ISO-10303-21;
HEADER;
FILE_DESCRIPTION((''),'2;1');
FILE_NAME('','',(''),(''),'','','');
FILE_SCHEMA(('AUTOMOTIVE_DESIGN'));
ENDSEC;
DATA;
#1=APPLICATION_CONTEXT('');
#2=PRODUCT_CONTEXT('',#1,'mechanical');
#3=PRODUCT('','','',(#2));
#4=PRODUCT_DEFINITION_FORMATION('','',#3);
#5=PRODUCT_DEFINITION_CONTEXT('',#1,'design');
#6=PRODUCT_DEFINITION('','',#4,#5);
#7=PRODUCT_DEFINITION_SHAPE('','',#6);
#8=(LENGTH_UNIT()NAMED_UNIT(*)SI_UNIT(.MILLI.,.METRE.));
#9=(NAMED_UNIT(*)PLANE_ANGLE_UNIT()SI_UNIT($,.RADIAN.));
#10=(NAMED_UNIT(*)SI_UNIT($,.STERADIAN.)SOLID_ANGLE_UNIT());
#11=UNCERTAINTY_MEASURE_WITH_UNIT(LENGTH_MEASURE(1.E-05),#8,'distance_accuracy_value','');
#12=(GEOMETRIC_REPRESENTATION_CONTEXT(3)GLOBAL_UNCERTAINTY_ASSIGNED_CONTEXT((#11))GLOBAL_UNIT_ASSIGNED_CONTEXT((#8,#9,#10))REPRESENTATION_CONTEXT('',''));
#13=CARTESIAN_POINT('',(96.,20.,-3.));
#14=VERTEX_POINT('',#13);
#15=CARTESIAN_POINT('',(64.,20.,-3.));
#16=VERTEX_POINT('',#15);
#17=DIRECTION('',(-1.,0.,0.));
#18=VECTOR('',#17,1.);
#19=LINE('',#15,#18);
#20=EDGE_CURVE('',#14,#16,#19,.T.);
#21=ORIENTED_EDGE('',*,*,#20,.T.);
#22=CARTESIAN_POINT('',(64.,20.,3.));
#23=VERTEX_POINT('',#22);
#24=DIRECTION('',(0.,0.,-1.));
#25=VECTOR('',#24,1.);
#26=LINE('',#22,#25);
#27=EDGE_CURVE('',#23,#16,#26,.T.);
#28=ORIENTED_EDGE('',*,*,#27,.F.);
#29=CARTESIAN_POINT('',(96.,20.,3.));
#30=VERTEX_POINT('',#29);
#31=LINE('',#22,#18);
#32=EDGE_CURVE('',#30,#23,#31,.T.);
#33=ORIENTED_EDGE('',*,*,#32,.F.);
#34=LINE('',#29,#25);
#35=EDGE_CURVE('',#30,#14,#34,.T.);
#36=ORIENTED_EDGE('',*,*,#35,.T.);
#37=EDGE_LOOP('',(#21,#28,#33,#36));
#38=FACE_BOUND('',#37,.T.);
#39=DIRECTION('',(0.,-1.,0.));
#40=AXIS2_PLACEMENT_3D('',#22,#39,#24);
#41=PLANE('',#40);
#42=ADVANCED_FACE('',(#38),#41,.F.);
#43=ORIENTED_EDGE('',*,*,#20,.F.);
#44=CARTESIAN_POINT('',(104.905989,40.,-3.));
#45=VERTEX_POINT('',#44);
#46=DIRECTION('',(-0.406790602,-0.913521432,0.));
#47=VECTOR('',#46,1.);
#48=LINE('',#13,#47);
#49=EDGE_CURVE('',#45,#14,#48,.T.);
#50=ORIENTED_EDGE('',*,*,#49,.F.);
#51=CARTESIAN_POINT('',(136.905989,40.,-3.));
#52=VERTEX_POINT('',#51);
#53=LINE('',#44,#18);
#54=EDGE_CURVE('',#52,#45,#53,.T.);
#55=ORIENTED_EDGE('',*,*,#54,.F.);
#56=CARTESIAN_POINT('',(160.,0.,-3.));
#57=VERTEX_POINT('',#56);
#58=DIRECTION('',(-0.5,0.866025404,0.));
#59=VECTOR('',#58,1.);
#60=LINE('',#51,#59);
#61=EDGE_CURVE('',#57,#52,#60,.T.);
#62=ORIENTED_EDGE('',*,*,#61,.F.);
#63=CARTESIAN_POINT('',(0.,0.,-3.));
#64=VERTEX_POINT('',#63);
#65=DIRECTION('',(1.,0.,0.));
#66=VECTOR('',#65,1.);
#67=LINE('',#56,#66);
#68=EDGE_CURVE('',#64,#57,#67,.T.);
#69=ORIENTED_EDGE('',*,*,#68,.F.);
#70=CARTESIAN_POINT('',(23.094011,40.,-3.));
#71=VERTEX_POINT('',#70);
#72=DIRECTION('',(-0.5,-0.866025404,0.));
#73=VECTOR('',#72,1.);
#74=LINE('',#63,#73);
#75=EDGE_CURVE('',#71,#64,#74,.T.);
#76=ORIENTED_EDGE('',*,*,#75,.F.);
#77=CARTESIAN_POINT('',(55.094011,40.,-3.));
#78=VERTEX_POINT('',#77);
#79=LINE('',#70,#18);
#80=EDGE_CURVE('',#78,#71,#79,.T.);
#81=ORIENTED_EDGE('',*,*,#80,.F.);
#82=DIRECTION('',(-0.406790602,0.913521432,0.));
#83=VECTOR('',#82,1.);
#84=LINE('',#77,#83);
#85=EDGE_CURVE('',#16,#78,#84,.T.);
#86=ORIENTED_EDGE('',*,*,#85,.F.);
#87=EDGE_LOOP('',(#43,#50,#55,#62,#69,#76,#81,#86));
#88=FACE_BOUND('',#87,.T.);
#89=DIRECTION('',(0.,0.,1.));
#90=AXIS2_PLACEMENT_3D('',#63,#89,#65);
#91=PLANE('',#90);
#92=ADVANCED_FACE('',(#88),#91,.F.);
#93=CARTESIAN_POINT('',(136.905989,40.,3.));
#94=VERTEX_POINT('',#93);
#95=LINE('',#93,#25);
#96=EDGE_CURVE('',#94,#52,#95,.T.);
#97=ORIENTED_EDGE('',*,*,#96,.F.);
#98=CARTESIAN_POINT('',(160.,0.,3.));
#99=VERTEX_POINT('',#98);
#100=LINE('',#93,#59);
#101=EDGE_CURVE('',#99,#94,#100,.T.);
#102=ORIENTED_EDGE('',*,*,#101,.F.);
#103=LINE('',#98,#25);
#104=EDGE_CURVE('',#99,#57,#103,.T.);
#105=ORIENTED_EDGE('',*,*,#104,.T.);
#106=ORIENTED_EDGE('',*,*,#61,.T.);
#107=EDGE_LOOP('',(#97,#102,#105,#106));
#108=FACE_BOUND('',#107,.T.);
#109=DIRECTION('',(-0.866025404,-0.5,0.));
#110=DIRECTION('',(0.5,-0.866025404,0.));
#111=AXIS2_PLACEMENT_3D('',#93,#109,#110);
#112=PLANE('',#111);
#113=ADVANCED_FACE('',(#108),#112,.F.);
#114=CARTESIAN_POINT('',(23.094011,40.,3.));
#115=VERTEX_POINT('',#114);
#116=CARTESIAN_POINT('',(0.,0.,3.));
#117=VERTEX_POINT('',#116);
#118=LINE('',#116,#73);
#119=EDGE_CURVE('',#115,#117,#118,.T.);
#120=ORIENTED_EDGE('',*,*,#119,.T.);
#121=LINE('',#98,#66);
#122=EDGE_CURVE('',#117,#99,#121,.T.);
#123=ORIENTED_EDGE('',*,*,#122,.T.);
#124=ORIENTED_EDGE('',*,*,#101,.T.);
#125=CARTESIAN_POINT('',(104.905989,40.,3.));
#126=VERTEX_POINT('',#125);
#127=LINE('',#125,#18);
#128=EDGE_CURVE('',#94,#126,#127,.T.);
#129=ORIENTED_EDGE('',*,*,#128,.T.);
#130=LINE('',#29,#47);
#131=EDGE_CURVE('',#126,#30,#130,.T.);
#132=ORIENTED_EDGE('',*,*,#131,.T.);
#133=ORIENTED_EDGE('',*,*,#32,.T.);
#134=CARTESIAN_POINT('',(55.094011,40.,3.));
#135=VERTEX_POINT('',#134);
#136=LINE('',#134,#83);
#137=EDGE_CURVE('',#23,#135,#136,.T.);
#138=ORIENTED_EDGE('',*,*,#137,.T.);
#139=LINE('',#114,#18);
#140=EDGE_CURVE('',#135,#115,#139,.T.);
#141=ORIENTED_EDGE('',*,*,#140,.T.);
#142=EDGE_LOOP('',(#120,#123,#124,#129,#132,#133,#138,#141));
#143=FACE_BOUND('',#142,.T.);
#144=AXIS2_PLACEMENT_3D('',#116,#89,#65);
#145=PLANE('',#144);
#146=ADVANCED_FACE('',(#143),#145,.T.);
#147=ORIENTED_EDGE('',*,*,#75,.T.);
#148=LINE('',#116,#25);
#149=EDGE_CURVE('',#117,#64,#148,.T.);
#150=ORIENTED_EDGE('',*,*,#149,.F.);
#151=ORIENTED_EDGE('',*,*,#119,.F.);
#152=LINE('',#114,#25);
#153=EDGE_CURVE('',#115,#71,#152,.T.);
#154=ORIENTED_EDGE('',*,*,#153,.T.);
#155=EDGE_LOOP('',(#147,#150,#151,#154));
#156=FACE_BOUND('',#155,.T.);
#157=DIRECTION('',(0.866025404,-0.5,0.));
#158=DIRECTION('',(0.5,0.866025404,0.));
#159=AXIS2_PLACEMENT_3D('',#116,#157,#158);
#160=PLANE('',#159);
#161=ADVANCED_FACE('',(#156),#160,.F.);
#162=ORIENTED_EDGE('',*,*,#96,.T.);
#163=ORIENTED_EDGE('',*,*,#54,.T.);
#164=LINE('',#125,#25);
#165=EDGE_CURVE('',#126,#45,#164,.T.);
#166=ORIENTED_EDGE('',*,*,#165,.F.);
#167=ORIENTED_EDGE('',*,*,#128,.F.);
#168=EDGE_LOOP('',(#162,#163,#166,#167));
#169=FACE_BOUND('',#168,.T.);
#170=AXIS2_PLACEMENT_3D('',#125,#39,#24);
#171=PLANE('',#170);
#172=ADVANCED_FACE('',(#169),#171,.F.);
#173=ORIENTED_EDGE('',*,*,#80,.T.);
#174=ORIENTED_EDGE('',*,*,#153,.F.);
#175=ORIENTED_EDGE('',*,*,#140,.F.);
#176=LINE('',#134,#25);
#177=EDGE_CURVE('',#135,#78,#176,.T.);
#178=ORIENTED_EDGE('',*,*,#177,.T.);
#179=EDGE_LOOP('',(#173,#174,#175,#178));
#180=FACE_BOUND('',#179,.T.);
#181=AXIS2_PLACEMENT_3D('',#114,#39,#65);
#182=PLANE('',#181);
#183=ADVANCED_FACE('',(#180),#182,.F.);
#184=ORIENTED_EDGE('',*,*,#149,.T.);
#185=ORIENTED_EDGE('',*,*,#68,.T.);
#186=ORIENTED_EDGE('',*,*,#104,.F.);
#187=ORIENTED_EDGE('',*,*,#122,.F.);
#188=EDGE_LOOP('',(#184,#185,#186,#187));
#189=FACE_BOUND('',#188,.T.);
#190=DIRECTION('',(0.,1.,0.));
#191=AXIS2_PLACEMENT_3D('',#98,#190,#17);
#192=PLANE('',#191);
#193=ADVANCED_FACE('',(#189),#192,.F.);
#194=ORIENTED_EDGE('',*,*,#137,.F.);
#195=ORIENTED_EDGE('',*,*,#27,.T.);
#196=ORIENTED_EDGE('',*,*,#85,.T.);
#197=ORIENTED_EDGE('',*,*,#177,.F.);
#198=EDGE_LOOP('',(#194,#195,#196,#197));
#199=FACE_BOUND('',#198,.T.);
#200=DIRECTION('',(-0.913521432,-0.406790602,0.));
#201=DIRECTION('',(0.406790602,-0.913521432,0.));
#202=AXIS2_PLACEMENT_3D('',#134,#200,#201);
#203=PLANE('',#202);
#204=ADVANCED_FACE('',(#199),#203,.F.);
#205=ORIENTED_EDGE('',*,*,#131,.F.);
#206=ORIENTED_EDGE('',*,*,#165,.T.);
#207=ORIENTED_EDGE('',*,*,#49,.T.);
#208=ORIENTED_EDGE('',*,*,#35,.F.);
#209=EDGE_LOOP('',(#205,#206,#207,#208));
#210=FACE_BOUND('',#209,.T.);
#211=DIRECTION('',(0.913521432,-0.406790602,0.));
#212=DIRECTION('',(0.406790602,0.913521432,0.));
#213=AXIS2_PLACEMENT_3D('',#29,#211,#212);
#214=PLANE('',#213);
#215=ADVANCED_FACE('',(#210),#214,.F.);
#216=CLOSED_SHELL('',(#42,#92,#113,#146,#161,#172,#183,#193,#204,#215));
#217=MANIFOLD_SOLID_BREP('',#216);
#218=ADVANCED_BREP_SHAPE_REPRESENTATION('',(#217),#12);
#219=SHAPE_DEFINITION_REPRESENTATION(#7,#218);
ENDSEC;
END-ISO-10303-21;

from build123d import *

# Parameters (mm, degrees)
BOSS_EXTRUDE1_DEPTH = 3


with BuildPart() as part:
    # Sketch2 → Boss-Extrude1 (new, symmetric)
    with BuildSketch(Plane.XY):
        Polygon((0, 0), (23.094010768, 40), (55.094010768, 40), (64, 20), (96, 20), (104.905989232, 40), (136.905989232, 40), (160, 0), align=None)
    extrude(amount=BOSS_EXTRUDE1_DEPTH, both=True)


solid = part.part
